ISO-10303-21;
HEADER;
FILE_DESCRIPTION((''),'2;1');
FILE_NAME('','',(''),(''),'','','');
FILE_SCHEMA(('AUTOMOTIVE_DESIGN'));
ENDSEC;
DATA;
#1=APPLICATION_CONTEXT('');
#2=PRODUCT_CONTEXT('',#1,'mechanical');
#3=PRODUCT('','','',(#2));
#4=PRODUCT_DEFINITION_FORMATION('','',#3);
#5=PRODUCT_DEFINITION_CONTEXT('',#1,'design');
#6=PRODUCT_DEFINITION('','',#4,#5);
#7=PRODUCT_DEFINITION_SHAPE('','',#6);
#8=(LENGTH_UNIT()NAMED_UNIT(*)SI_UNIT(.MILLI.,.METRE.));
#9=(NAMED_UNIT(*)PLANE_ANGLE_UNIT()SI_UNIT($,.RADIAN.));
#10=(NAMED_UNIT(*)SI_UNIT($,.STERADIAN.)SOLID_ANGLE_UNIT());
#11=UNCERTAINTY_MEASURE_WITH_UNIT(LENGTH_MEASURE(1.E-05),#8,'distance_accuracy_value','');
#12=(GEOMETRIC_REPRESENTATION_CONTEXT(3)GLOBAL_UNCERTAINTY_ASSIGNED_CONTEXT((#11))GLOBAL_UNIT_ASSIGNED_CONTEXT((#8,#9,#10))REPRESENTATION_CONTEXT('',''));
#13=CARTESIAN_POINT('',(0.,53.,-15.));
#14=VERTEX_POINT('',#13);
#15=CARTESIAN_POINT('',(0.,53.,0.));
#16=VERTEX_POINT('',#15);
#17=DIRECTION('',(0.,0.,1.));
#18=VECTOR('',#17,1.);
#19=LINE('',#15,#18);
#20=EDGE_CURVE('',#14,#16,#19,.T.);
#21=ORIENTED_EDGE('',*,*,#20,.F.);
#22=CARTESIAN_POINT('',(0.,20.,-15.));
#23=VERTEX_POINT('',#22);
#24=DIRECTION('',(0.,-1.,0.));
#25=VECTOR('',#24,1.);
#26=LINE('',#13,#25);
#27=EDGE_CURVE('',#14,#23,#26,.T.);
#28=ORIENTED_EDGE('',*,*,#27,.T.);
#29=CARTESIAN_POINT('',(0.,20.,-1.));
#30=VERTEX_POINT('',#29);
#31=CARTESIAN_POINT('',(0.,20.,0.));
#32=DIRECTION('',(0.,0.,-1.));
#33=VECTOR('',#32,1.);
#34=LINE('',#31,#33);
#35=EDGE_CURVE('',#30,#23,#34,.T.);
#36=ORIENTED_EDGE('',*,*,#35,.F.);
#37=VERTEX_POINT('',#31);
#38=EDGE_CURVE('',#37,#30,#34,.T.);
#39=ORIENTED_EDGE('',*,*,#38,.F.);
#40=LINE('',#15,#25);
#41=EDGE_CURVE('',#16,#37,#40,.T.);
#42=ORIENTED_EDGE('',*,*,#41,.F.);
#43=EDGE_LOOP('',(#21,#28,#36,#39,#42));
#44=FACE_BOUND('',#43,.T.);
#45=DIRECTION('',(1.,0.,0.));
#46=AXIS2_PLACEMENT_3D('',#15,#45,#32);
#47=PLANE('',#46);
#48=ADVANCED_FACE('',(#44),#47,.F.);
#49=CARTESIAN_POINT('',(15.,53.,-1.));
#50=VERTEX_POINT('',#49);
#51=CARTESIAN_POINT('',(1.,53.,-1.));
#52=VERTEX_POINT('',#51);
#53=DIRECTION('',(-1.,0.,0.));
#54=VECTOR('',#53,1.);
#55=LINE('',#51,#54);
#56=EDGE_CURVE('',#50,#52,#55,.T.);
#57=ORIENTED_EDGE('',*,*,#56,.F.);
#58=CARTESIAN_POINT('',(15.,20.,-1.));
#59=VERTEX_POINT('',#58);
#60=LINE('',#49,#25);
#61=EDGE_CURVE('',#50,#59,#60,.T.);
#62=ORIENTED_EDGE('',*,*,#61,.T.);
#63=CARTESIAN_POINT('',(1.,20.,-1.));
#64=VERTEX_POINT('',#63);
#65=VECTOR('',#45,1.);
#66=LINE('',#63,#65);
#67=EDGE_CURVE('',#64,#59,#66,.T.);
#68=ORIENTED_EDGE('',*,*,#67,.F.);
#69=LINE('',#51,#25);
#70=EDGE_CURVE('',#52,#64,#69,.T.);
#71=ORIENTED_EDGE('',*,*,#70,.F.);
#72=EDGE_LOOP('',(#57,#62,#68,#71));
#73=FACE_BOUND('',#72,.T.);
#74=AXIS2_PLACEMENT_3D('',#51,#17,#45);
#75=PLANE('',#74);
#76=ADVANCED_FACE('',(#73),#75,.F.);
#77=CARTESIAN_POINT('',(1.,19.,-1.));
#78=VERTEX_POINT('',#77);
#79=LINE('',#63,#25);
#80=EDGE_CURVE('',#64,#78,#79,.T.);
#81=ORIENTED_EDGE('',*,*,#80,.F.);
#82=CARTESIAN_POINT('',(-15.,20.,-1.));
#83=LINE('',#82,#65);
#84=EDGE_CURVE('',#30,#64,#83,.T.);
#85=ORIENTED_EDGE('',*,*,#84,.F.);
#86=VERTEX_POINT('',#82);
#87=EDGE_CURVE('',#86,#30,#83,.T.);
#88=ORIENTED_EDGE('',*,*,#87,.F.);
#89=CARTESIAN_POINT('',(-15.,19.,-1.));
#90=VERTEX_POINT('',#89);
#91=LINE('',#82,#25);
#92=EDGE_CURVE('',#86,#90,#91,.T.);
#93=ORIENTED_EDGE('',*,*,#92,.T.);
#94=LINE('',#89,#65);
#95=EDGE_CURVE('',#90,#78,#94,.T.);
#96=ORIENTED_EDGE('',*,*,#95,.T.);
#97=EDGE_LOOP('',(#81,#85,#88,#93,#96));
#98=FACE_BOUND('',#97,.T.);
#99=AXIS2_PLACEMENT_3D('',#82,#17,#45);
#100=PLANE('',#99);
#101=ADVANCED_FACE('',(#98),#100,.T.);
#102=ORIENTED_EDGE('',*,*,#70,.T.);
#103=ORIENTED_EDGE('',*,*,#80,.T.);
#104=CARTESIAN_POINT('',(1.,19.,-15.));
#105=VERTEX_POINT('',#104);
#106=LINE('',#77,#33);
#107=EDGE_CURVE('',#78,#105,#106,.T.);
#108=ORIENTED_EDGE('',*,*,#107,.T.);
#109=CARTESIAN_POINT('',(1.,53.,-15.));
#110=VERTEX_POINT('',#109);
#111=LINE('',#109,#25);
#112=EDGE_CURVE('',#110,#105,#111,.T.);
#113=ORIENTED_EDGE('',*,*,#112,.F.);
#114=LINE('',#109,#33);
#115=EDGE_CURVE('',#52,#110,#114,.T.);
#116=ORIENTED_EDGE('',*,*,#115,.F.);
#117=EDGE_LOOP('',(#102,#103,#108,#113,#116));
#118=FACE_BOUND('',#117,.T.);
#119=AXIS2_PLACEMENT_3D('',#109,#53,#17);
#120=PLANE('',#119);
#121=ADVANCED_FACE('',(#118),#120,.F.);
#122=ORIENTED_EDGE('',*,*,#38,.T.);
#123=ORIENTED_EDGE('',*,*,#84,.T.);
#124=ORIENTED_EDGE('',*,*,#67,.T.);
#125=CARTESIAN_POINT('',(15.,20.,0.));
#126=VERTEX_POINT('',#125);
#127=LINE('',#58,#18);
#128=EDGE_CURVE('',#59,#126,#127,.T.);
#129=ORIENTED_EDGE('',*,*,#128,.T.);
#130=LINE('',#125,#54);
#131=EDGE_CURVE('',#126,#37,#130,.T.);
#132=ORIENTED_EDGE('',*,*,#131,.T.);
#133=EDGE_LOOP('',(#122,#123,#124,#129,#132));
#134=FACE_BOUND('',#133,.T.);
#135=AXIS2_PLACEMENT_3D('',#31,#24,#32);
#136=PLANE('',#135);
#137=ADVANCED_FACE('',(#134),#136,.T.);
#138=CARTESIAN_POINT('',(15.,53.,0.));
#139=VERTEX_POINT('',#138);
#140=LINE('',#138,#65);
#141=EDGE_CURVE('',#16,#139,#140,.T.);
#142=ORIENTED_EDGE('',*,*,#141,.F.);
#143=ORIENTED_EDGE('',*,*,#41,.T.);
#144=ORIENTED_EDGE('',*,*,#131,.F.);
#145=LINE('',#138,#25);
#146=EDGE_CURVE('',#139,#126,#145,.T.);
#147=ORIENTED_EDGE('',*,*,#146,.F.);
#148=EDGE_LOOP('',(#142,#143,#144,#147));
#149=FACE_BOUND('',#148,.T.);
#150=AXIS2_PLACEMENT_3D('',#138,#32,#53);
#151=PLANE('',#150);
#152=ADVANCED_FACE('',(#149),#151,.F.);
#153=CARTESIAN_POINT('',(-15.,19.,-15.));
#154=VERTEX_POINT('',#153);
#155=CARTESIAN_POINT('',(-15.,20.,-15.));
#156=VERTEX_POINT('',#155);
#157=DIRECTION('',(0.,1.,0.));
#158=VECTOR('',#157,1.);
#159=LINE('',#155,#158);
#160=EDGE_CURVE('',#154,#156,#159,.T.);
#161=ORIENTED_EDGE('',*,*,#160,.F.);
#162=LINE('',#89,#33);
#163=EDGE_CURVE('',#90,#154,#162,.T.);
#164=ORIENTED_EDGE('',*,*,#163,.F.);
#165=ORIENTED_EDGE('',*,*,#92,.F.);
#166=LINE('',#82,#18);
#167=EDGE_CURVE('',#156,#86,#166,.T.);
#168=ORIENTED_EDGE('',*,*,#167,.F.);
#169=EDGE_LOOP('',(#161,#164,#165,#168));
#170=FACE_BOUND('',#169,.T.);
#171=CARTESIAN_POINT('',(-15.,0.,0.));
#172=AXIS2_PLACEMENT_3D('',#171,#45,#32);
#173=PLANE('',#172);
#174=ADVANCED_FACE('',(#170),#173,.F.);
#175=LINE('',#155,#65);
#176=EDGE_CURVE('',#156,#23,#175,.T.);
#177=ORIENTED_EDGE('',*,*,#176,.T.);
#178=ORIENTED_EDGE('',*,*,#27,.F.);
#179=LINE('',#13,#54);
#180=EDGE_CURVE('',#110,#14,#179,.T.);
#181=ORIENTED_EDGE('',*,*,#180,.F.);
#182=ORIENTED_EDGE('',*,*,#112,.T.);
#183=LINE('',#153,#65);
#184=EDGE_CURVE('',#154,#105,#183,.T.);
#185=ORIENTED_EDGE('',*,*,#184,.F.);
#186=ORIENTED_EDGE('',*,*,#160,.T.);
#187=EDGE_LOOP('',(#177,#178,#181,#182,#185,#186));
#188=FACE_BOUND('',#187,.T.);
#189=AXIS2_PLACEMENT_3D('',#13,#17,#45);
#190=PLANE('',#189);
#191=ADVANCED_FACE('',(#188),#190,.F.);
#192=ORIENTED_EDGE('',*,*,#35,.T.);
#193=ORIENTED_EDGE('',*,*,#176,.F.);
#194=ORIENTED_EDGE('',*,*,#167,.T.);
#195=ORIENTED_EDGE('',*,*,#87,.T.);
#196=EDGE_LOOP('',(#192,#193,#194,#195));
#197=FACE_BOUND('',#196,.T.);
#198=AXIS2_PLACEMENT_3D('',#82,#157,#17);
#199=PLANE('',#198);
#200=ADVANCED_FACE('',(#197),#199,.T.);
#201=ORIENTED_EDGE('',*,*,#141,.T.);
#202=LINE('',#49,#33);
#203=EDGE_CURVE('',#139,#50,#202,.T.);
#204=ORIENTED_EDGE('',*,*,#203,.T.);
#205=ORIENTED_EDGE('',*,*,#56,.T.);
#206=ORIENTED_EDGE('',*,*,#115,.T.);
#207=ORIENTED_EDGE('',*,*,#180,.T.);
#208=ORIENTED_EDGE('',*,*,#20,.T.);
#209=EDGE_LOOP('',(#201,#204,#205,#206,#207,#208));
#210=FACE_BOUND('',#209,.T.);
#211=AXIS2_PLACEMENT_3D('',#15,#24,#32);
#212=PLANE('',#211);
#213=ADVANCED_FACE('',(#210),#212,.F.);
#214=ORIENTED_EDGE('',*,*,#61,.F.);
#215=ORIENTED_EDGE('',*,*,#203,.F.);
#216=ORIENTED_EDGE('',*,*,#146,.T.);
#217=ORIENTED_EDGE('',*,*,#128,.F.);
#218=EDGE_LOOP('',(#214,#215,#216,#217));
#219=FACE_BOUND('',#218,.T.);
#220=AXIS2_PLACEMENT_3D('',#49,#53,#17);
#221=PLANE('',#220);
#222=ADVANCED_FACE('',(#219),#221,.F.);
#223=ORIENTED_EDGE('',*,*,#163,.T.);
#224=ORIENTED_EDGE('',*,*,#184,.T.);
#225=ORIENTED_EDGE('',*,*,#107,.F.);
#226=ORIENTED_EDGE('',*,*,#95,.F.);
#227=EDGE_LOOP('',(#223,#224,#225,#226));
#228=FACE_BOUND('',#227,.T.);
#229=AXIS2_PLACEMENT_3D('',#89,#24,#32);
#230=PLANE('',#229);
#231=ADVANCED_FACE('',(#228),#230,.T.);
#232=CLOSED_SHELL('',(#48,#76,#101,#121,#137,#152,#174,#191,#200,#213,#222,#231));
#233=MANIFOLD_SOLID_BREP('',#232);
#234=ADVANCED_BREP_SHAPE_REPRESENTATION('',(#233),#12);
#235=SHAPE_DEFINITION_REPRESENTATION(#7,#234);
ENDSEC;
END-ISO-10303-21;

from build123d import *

# Parameters (mm, degrees)
EXTRUDE_1_DEPTH     = 53
CUT_EXTRUDE_2_DEPTH = 20
SKETCH_5_W          = 14
SKETCH_5_H          = 1
EXTRUDE_2_DEPTH     = 16


with BuildPart() as part:
    # Эскиз1 → Бобышка-Вытянуть1 (new body)
    with BuildSketch(Plane(origin=(0, 0, 0), x_dir=(1, 0, 0), z_dir=(0, 1, 0))):
        Polygon((0, 0), (0, 15), (1, 15), (1, 1), (15, 1), (15, 0), align=None)
    extrude(amount=EXTRUDE_1_DEPTH)

    # Эскиз3 → Вырез-Вытянуть2 (cut)
    with BuildSketch(Plane.XZ):
        Polygon((15, 0), (0, 0), (0, -15), (1, -15), (1, -1), (15, -1), align=None)
    extrude(amount=-CUT_EXTRUDE_2_DEPTH, mode=Mode.SUBTRACT)

    # Эскиз5 → Бобышка-Вытянуть2 (add)
    with BuildSketch(Plane(origin=(1, 0, 0), x_dir=(0, 0, -1), z_dir=(1, 0, 0))):
        with Locations((8, 19.5)):
            Rectangle(SKETCH_5_W, SKETCH_5_H)
    extrude(amount=-EXTRUDE_2_DEPTH)


solid = part.part
